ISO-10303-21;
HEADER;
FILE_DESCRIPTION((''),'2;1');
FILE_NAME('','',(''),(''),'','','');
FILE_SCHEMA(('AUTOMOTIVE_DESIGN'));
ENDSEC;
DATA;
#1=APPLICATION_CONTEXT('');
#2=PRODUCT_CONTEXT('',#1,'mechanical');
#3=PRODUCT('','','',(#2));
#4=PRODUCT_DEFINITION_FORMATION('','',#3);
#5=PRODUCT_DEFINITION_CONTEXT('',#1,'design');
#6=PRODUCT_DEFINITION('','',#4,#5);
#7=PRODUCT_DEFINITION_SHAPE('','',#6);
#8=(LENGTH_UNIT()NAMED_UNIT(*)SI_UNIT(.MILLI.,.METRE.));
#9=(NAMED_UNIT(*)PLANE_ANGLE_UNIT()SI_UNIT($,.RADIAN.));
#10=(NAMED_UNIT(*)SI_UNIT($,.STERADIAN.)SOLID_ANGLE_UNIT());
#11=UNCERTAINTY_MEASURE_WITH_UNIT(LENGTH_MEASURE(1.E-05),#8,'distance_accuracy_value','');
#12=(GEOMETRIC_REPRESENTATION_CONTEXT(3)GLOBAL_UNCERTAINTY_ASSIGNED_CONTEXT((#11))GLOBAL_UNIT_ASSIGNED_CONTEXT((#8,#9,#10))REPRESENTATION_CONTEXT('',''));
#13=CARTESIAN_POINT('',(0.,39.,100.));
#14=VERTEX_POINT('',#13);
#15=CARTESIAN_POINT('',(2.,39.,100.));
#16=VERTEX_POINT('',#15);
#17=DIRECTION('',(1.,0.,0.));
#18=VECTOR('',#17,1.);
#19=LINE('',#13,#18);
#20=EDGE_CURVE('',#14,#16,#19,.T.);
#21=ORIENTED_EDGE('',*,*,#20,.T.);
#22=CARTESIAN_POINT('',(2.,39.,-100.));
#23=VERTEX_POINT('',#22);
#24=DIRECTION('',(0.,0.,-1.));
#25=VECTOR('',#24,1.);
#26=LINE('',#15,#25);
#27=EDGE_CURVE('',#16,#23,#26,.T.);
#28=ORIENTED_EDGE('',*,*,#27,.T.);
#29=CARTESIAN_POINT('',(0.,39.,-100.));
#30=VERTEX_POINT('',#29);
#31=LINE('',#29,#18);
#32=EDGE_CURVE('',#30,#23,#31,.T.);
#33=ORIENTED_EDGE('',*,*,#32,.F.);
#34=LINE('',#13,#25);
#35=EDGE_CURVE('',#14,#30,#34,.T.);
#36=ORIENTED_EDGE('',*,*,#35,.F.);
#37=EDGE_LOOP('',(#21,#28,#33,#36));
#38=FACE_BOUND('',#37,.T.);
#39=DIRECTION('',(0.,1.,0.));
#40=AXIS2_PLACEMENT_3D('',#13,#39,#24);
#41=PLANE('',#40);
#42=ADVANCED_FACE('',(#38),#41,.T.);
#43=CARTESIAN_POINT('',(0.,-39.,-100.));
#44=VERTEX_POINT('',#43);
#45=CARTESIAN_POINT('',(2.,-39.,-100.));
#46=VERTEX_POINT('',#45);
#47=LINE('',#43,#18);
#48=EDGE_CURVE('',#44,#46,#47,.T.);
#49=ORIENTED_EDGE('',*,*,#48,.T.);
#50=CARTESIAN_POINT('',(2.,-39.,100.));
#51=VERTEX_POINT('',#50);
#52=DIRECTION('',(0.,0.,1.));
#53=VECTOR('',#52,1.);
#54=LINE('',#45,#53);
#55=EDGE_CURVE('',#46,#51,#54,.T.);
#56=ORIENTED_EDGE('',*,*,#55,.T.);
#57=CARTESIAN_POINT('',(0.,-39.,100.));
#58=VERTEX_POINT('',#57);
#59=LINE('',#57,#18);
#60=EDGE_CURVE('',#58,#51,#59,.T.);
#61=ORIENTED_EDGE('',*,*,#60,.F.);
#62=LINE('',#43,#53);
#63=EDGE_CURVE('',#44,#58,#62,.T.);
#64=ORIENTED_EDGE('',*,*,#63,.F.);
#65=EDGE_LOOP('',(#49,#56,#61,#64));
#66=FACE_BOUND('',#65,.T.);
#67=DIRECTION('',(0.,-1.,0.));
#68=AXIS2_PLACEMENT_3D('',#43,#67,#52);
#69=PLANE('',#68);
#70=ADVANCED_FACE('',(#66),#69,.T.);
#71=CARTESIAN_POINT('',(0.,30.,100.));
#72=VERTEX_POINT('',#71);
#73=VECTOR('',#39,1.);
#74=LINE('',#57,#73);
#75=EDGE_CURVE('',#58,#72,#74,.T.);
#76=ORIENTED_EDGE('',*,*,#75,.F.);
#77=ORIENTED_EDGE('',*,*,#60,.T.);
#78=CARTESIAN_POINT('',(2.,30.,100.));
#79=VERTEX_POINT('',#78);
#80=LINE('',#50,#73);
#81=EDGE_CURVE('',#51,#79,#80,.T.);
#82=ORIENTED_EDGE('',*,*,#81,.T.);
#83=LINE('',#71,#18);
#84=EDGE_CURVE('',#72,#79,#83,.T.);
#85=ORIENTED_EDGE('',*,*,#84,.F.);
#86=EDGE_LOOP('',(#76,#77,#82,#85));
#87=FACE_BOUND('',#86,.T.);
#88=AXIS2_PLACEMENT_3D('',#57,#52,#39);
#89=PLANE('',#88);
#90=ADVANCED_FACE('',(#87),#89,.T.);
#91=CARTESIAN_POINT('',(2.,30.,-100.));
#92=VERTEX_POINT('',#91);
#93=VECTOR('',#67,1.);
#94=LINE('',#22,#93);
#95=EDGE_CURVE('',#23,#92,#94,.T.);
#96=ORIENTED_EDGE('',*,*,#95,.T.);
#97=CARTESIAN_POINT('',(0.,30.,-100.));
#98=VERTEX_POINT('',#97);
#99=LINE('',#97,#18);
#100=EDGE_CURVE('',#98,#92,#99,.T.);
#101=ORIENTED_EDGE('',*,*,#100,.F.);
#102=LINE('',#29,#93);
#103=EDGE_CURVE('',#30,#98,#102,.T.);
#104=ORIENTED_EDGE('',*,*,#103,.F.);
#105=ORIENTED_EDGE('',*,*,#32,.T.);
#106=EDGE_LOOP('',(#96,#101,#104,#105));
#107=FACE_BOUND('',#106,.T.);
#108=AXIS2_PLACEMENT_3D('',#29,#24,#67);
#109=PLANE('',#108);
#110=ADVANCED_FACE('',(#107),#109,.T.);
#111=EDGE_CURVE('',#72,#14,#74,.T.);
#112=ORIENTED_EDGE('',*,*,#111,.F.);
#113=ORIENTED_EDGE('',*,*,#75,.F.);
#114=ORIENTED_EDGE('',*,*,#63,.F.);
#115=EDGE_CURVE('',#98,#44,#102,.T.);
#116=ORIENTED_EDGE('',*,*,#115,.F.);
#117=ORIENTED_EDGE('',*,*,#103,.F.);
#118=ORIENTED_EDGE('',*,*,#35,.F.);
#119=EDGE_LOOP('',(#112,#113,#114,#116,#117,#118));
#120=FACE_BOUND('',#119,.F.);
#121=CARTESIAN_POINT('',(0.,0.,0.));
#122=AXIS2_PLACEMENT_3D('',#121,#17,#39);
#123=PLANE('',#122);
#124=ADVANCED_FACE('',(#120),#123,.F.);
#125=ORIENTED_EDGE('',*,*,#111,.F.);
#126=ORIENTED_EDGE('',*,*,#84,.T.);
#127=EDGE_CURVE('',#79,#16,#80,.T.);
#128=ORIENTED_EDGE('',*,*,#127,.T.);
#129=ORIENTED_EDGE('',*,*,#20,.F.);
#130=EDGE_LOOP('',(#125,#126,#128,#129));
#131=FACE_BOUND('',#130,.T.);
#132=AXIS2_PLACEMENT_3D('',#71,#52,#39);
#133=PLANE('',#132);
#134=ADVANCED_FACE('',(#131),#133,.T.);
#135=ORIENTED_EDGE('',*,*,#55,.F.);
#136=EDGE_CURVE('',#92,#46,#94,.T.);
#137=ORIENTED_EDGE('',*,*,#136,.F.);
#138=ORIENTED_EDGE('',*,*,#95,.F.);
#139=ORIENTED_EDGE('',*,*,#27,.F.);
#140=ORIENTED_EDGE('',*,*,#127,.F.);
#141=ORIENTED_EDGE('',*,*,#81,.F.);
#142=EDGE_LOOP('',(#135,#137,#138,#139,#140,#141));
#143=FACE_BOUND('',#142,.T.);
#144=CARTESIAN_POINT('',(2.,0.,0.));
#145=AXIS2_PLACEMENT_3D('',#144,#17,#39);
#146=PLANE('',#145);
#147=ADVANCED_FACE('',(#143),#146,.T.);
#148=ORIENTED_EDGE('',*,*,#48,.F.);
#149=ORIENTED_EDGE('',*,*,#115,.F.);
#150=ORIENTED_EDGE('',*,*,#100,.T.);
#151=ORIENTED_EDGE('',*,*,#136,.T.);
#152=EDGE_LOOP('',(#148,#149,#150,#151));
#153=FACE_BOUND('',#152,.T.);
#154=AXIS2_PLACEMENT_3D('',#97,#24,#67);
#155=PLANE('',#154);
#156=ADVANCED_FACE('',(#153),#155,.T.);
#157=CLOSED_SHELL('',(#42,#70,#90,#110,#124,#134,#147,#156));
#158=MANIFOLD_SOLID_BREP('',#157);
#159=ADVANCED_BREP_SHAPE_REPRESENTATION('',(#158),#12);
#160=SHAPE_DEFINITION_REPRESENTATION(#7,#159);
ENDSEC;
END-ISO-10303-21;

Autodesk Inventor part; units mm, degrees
ref_plane "YZ Plane" through (0, 0, 0) normal (1, 0, 0) x (0, 1, 0)
ref_plane "XZ Plane" through (0, 0, 0) normal (0, 1, 0) x (-1, 0, 0)
ref_plane "XY Plane" through (0, 0, 0) normal (0, 0, 1) x (1, 0, 0)
sketch "Sketch1" plane through (0, 0, 0) normal (1, 0, 0) x (0, 1, 0)
  line L0 (-39, 100) -> (39, 100)
  line L1 (39, 100) -> (39, -100)
  line L2 (39, -100) -> (-39, -100)
  line L3 (-39, -100) -> (-39, 100)
  line L4 (-39, 100) -> (39, -100) construction
  line L5 (39, 100) -> (-39, -100) construction
  line L6 (39, 100) -> (30, 100)
  line L7 (39, -100) -> (30, -100)
  point P0 (0, 0)
  point P1 (0, 0)
  dimension "d0" = 200
  dimension "d6" = 78
extrude "Plate1" add sketch "Sketch1" along normal blind 2
equation "\"d5\" = Thickness"
equation "\"BendRadius\" = Thickness"
equation "\"BendReliefWidth\" = Thickness"
equation "\"BendReliefDepth\" = 0.5 * Thickness"
equation "\"CornerReliefSize\" = 4 * Thickness"
equation "\"MinimumRemnant\" = 2 * Thickness"
equation "\"TransitionRadius\" = BendRadius"
equation "\"JacobiRadiusSize\" = BendRadius"
equation "\"GapSize\" = Thickness"
equation "\"Thickness\" = 2"
properties part number "AI-Cover" material "Steel"
